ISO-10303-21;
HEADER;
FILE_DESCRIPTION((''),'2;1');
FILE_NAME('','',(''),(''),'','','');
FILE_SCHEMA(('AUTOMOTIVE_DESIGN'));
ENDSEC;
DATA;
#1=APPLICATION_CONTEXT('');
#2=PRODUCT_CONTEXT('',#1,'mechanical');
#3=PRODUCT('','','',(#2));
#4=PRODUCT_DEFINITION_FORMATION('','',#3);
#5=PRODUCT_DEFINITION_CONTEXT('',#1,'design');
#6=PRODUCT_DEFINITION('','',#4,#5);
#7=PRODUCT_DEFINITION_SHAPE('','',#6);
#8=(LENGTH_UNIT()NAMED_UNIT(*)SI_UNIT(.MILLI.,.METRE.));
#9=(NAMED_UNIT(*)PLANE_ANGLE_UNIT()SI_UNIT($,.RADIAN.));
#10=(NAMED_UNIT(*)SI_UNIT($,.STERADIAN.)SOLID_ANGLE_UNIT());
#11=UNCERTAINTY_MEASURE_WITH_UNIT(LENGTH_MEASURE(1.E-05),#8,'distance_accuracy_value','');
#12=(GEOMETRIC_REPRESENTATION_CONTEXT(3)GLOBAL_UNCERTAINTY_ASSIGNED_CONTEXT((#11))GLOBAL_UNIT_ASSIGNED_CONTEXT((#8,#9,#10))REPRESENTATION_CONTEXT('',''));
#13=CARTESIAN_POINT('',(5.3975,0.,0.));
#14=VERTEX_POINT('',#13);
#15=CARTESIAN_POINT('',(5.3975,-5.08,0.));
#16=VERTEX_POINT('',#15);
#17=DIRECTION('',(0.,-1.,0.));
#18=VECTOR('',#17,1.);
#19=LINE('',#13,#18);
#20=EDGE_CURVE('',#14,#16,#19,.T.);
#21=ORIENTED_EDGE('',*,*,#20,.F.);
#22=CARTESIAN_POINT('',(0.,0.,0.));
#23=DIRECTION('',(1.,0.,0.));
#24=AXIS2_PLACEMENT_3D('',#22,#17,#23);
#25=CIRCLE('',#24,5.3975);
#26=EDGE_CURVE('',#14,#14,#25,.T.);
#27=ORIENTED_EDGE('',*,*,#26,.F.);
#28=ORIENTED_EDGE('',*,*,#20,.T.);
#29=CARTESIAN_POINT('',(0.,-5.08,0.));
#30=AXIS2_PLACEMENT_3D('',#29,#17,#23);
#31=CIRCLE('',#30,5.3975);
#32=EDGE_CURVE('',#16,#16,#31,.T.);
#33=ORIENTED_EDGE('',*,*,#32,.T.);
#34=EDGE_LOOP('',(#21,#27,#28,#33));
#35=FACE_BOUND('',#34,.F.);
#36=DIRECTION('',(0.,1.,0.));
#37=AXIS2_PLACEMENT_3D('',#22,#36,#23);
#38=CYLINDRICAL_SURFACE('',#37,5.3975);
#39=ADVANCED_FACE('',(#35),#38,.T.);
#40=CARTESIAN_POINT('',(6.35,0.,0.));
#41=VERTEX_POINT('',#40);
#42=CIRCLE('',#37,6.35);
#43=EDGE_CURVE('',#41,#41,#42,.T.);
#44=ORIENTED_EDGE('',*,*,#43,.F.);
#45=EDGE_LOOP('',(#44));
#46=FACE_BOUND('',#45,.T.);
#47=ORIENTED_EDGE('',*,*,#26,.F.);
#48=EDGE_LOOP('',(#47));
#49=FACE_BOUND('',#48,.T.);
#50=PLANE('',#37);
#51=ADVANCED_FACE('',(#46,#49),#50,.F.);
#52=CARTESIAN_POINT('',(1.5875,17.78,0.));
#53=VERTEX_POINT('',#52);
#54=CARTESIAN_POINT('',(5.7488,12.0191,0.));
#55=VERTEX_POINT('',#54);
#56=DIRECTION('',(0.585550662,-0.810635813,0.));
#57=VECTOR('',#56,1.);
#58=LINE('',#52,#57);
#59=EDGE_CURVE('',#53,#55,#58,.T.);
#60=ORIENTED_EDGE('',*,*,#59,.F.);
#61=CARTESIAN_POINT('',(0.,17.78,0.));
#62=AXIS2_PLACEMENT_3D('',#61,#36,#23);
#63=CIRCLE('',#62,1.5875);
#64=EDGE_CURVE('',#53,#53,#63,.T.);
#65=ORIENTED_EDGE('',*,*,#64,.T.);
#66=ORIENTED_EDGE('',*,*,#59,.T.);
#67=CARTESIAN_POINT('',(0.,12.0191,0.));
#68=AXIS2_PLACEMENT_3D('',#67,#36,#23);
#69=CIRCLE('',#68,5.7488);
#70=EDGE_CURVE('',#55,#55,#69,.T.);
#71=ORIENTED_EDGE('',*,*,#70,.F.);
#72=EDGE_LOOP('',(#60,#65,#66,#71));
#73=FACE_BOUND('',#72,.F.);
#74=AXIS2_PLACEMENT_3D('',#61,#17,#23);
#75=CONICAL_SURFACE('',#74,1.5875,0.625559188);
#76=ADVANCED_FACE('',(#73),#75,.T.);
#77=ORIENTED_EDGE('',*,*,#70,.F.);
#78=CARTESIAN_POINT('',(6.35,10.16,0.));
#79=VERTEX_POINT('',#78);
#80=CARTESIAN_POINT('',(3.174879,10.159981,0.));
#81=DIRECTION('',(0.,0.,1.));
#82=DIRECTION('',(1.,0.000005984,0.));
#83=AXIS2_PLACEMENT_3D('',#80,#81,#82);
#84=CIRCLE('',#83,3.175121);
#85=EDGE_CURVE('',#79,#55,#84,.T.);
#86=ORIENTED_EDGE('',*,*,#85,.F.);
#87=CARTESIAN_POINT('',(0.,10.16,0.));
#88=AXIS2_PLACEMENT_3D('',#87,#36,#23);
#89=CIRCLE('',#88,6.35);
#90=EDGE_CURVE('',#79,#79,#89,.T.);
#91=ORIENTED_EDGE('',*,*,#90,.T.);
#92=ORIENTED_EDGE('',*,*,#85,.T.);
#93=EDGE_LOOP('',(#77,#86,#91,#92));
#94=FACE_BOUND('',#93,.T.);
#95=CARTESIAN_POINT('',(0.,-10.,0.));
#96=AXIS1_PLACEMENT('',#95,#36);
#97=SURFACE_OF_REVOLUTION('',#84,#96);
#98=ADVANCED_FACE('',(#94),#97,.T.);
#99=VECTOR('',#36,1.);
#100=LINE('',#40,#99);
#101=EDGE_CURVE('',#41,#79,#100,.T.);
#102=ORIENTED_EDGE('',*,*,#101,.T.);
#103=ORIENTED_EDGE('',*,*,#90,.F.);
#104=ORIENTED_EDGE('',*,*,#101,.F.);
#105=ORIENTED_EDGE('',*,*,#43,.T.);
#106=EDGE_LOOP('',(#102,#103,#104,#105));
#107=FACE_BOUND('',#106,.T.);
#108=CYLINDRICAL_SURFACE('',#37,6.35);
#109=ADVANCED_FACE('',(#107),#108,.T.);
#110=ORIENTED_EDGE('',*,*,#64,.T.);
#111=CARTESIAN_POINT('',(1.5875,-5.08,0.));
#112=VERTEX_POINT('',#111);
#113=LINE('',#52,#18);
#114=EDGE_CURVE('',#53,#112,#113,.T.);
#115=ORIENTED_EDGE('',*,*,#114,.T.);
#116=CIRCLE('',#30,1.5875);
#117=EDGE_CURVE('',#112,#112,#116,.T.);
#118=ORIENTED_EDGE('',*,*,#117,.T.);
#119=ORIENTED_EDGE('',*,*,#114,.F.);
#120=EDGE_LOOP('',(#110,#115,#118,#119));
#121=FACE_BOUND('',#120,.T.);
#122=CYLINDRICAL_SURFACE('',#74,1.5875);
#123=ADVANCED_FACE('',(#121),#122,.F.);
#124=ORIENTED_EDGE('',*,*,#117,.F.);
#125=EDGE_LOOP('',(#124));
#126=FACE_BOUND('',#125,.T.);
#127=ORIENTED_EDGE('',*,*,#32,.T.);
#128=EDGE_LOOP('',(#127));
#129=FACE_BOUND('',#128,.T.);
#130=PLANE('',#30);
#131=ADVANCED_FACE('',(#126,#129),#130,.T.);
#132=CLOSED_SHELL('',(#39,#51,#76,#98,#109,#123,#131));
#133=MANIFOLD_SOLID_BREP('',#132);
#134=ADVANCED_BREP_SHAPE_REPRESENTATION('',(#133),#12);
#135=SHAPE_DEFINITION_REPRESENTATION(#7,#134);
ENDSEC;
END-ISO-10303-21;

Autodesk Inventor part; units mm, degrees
ref_plane "YZ Plane" through (0, 0, 0) normal (1, 0, 0) x (0, 1, 0)
ref_plane "XZ Plane" through (0, 0, 0) normal (0, 1, 0) x (-1, 0, 0)
ref_plane "XY Plane" through (0, 0, 0) normal (0, 0, 1) x (1, 0, 0)
sketch "Sketch1" plane through (0, 0, 0) normal (0, 0, 1) x (1, 0, 0)
  line L0 (0, 0) -> (6.35, 0)
  line L1 (6.35, 0) -> (6.35, 10.16)
  line L2 (0, 17.78) -> (1.5875, 17.78)
  line L3 (1.5875, 17.78) -> (5.7488, 12.0191)
  arc A0 (6.35, 10.16) -> (5.7488, 12.0191) centre (3.175, 10.16) ccw
  line L4 (0, 0) -> (3.175, 0)
  line L5 (1.5875, 17.78) -> (1.5875, 0)
  line L6 (6.35, 0) -> (1.5875, 0)
  line L7 (0, -3.556) -> (0, 21.336) projected
  dimension "d0" = 6.35
  dimension "d3" = 1.5875
  dimension "d4" = 3.175
  dimension "d9" = 10.16
  dimension "d10" = 17.78
revolve "Revolution1" add sketch "Sketch1" angle 360 about axis through (0, -10, 0) along (0, 1, 0) contours L5 L3 A0 L1 L0
sketch "Sketch2" plane through (0, 0, 0) normal (0, -1, 0) x (1, 0, 0)
  circle A0 centre (0, 0) radius 1.5875 projected
  circle A1 centre (0, 0) radius 1.5875
  circle A2 centre (0, 0) radius 5.3975
  dimension "d6" = 10.795
extrude "Extrusion1" add sketch "Sketch2" along normal blind 5.08
properties part number "tipthick1024"
